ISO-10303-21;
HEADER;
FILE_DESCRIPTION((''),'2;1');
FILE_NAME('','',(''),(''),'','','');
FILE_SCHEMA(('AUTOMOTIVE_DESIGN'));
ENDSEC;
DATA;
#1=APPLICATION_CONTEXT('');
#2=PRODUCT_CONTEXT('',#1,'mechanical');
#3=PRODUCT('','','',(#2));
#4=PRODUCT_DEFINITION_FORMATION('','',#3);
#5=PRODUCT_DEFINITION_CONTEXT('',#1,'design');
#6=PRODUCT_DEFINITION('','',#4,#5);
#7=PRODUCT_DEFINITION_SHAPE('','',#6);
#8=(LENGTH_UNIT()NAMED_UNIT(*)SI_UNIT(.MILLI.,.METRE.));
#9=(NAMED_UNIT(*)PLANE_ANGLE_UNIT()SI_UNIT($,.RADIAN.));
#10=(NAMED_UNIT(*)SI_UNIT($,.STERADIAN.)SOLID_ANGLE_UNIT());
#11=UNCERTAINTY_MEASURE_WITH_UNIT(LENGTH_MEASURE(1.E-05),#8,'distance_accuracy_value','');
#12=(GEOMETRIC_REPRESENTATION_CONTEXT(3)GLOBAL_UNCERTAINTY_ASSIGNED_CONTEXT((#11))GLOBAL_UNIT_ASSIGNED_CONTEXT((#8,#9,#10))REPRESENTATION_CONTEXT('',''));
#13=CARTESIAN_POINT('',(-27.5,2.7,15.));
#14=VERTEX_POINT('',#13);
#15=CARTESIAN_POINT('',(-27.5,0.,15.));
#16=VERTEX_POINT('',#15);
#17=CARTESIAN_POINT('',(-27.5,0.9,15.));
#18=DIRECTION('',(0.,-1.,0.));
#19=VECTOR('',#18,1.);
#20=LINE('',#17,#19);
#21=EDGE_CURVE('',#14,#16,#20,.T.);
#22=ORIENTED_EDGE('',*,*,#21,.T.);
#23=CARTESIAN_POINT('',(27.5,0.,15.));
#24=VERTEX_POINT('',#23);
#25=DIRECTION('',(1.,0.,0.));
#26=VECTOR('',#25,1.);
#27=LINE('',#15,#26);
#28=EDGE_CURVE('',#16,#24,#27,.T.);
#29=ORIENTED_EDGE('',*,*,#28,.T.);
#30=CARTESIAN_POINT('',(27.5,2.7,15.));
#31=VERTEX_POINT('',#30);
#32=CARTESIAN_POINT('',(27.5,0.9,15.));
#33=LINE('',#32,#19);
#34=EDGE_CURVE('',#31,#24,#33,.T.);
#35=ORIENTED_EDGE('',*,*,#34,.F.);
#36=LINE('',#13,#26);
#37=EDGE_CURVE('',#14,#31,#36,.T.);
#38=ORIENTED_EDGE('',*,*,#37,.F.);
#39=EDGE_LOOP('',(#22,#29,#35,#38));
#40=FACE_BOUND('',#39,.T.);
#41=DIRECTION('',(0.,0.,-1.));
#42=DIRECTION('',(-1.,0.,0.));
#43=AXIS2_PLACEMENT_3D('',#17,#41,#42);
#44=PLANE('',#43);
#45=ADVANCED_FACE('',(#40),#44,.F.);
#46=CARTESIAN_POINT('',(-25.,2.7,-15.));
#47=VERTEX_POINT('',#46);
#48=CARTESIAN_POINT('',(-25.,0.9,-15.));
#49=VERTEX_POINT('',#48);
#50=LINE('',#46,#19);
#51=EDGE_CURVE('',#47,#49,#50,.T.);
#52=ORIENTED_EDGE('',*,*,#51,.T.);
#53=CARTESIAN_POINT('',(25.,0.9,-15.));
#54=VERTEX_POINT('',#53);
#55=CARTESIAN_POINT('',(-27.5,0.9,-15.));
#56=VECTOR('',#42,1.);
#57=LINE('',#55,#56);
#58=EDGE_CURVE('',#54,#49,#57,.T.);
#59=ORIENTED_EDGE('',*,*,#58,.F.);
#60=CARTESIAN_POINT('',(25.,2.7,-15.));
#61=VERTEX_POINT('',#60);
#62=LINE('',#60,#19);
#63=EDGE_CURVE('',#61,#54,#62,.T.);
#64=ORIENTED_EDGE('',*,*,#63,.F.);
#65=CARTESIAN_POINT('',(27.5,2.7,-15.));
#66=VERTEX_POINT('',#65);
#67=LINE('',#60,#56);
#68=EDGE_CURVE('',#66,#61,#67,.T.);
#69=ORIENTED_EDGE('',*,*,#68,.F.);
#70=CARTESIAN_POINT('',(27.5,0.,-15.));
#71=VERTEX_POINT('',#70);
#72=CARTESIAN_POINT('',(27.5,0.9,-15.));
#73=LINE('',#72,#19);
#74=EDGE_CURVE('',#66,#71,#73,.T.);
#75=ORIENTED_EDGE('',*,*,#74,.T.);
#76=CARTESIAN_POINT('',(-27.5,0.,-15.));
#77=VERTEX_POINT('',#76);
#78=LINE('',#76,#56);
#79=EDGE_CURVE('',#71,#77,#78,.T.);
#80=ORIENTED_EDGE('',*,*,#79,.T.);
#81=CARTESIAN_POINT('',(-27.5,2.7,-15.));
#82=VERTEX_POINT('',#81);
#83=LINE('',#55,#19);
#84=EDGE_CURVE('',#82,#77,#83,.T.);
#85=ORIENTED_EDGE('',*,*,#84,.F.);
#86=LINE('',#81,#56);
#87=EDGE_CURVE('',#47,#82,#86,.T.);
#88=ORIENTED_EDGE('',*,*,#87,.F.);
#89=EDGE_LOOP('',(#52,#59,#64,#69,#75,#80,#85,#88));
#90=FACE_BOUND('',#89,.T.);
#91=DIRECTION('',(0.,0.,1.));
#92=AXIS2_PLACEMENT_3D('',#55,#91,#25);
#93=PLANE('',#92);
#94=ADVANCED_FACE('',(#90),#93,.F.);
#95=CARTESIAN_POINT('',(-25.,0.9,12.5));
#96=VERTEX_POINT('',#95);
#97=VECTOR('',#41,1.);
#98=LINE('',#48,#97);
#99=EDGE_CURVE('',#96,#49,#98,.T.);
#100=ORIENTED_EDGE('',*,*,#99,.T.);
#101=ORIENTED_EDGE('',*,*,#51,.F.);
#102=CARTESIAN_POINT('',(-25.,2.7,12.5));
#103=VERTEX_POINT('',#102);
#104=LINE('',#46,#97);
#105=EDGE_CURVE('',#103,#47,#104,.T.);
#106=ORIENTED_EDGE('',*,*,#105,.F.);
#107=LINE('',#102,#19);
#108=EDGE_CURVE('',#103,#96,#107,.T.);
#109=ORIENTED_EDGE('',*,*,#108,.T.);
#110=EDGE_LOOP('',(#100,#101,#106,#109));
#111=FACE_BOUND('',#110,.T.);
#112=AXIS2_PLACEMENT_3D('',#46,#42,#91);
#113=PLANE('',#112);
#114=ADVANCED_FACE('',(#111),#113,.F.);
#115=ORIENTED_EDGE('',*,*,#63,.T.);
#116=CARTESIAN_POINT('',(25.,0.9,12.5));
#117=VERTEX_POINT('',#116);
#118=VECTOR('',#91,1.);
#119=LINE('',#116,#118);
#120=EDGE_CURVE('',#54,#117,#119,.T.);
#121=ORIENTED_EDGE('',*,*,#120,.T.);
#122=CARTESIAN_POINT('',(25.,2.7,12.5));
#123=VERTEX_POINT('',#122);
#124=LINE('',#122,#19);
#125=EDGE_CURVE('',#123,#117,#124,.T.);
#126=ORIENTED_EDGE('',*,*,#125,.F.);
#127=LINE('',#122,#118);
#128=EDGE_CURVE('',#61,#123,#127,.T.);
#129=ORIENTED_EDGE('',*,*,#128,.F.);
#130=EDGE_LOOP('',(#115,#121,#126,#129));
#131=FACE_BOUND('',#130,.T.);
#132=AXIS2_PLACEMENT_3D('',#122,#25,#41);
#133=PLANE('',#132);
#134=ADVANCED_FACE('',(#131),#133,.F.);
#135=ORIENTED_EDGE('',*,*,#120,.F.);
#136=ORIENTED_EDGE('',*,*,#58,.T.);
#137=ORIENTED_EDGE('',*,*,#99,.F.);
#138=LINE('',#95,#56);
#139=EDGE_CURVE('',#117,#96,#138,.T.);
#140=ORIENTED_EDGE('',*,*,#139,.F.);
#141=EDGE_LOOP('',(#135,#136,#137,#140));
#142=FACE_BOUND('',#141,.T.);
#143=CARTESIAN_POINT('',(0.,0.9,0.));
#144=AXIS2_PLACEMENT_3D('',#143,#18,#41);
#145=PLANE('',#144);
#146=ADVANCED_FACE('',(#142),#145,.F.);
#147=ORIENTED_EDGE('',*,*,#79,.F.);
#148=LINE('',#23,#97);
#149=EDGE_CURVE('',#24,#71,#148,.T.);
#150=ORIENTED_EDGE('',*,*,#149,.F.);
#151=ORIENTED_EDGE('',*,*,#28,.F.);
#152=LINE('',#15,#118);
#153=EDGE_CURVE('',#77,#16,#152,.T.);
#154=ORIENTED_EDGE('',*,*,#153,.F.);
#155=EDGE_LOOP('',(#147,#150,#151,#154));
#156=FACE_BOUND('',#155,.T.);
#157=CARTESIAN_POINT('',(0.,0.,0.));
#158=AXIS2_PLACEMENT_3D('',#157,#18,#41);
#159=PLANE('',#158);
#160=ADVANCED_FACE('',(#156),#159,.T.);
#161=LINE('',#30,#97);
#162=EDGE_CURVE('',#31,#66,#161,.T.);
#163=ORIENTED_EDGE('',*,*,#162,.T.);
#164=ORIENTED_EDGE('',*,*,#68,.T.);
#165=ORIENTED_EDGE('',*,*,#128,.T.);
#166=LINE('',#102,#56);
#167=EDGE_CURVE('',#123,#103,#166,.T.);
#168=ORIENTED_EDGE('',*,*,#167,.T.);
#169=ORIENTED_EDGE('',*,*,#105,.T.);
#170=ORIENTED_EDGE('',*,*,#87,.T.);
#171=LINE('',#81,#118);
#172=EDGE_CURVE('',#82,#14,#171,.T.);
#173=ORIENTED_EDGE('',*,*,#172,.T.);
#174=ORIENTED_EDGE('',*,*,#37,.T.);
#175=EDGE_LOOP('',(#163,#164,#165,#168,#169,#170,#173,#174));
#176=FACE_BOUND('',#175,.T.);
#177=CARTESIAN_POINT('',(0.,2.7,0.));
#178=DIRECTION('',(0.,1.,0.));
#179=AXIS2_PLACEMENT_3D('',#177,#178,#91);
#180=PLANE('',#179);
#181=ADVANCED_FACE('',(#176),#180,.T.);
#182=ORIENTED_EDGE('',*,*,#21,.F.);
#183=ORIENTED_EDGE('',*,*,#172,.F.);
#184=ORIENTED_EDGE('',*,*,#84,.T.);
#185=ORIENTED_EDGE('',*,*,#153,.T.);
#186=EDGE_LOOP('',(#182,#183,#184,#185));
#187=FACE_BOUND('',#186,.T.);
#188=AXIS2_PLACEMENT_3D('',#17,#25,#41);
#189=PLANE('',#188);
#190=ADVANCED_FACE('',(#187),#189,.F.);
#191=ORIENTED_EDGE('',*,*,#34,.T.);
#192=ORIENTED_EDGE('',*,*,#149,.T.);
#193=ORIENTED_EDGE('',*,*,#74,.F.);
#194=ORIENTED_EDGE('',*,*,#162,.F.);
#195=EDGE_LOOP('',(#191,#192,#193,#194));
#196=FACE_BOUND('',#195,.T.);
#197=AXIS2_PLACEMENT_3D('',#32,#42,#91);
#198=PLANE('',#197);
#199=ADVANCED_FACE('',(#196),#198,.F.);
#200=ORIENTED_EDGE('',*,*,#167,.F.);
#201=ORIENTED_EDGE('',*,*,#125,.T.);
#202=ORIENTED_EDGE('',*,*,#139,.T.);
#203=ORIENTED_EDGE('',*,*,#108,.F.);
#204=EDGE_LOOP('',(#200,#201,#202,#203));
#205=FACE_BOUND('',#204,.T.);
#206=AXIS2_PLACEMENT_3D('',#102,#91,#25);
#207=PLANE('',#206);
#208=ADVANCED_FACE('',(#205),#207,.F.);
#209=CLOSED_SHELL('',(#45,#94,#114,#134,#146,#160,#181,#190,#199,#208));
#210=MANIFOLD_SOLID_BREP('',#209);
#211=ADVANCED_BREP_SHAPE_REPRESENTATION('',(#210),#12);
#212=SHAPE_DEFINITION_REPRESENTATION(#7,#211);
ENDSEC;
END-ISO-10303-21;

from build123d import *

# Parameters (mm, degrees)
SKETCH1_W           = 55
SKETCH1_H           = 30
BOSS_EXTRUDE1_DEPTH = 0.9
BOSS_EXTRUDE2_DEPTH = 1.8


with BuildPart() as part:
    # Sketch1 → Boss-Extrude1 (new body)
    with BuildSketch(Plane(origin=(0, 0, 0), x_dir=(1, 0, 0), z_dir=(0, 1, 0))):
        Rectangle(SKETCH1_W, SKETCH1_H)
    extrude(amount=BOSS_EXTRUDE1_DEPTH)

    # Sketch2 → Boss-Extrude2 (add)
    with BuildSketch(Plane(origin=(0, 0.9, 0), x_dir=(1, 0, 0), z_dir=(0, 1, 0))):
        Polygon((27.5, -15), (27.5, 15), (25, 15), (25, -12.5), (-25, -12.5), (-25, 15), (-27.5, 15), (-27.5, -15), align=None)
    extrude(amount=BOSS_EXTRUDE2_DEPTH)


solid = part.part
